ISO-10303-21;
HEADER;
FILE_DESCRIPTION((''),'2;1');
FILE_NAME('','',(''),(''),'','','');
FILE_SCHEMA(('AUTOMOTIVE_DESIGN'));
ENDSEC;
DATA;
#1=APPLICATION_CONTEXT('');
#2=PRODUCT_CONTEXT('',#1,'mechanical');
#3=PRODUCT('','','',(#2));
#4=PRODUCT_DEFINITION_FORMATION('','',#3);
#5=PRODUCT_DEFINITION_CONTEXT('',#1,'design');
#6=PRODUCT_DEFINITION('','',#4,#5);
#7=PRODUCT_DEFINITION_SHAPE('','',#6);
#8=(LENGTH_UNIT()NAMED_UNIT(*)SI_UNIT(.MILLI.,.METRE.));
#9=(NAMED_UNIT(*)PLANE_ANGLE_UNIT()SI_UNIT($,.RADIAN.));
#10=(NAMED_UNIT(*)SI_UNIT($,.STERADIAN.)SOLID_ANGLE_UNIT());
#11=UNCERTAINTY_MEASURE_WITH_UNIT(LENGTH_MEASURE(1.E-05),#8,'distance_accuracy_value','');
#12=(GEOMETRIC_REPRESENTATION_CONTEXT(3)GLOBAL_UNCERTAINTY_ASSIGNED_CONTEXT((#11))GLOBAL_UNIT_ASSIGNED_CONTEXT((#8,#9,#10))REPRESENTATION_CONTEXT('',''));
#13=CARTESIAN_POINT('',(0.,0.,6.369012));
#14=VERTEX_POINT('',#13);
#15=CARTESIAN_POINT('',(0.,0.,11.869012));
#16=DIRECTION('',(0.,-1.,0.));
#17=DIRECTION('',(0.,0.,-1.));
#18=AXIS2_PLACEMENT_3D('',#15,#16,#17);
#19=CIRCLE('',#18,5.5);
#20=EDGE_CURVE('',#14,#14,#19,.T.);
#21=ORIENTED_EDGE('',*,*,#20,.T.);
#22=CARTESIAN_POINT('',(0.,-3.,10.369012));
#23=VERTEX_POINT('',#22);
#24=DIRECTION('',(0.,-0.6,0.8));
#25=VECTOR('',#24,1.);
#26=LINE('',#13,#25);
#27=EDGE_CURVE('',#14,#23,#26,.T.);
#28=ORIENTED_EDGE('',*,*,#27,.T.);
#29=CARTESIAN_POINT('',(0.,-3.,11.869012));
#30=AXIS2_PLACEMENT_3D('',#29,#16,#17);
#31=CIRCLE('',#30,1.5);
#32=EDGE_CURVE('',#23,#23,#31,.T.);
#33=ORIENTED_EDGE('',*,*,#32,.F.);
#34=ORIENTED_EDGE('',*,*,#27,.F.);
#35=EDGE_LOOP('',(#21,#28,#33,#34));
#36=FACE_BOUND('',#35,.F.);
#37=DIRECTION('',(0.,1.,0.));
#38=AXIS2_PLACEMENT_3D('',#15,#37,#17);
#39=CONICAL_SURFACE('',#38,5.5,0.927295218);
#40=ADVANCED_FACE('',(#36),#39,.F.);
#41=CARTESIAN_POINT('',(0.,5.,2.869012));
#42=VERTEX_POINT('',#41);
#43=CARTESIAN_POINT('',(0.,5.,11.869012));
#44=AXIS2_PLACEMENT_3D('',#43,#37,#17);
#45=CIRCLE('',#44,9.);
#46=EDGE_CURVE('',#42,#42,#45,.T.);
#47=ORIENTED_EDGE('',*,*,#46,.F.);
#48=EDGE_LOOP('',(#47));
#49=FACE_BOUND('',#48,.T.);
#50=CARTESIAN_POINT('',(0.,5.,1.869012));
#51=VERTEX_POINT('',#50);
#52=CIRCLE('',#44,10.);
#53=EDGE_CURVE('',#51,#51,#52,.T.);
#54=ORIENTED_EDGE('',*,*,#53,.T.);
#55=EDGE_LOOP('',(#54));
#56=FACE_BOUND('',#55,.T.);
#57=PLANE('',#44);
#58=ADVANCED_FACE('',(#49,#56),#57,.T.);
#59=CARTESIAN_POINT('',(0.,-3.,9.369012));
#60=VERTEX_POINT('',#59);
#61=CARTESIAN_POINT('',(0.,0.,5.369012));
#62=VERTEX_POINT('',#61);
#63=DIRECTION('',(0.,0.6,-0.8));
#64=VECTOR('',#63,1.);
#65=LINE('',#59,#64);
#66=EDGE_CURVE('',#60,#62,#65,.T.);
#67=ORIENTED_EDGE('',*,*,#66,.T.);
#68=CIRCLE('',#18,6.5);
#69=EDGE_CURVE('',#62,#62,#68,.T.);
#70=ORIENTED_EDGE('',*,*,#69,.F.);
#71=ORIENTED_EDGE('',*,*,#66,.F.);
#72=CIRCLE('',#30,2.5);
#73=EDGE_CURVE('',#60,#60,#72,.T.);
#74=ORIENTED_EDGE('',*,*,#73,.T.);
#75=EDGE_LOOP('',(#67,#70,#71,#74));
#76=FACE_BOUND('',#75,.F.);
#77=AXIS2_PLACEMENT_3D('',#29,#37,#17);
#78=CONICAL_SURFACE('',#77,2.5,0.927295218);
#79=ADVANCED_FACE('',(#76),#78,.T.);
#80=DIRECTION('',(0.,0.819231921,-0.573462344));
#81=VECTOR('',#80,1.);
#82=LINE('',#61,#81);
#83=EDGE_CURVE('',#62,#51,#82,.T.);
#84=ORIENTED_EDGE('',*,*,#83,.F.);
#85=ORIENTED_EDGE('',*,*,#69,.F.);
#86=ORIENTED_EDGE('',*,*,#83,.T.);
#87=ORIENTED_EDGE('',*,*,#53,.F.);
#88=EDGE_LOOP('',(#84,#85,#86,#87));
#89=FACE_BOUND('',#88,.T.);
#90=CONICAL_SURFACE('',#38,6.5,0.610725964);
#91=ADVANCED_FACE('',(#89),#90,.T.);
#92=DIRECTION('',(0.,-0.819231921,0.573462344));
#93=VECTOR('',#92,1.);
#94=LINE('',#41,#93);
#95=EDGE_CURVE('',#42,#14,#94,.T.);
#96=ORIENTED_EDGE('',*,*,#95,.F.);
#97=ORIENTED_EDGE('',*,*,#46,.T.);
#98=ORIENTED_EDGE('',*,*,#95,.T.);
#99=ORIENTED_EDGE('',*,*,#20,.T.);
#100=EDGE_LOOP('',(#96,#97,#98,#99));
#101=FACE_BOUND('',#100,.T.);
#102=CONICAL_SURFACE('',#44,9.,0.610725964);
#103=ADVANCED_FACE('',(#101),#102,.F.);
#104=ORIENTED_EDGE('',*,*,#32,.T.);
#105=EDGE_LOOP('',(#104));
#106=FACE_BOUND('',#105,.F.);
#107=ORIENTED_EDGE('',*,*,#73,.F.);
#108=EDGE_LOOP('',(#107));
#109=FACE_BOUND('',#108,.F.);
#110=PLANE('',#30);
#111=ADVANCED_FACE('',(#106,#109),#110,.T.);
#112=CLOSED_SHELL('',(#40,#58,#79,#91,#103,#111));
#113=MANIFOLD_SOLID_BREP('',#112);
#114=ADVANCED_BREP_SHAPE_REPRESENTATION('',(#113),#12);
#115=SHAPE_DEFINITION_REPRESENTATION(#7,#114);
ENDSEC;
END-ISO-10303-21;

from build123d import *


with BuildPart() as f1:
    # F0 (on Right) → F1 (revolve)
    with BuildSketch(Plane.YZ):
        Polygon((-3, 10.369012), (-3, 9.369012), (0, 5.369012), (0, 6.369012), align=None)
    revolve(axis=Axis((0, -2.770185, 11.869012), (0, -1, 0)))

    # F0 (on Right) → F2 (revolve)
    with BuildSketch(Plane.YZ):
        Polygon((0, 6.369012), (0, 5.369012), (5, 1.869012), (5, 2.869012), align=None)
    revolve(axis=Axis((0, 6.585286, 11.869012), (0, 1, 0)))


solid = f1.part
